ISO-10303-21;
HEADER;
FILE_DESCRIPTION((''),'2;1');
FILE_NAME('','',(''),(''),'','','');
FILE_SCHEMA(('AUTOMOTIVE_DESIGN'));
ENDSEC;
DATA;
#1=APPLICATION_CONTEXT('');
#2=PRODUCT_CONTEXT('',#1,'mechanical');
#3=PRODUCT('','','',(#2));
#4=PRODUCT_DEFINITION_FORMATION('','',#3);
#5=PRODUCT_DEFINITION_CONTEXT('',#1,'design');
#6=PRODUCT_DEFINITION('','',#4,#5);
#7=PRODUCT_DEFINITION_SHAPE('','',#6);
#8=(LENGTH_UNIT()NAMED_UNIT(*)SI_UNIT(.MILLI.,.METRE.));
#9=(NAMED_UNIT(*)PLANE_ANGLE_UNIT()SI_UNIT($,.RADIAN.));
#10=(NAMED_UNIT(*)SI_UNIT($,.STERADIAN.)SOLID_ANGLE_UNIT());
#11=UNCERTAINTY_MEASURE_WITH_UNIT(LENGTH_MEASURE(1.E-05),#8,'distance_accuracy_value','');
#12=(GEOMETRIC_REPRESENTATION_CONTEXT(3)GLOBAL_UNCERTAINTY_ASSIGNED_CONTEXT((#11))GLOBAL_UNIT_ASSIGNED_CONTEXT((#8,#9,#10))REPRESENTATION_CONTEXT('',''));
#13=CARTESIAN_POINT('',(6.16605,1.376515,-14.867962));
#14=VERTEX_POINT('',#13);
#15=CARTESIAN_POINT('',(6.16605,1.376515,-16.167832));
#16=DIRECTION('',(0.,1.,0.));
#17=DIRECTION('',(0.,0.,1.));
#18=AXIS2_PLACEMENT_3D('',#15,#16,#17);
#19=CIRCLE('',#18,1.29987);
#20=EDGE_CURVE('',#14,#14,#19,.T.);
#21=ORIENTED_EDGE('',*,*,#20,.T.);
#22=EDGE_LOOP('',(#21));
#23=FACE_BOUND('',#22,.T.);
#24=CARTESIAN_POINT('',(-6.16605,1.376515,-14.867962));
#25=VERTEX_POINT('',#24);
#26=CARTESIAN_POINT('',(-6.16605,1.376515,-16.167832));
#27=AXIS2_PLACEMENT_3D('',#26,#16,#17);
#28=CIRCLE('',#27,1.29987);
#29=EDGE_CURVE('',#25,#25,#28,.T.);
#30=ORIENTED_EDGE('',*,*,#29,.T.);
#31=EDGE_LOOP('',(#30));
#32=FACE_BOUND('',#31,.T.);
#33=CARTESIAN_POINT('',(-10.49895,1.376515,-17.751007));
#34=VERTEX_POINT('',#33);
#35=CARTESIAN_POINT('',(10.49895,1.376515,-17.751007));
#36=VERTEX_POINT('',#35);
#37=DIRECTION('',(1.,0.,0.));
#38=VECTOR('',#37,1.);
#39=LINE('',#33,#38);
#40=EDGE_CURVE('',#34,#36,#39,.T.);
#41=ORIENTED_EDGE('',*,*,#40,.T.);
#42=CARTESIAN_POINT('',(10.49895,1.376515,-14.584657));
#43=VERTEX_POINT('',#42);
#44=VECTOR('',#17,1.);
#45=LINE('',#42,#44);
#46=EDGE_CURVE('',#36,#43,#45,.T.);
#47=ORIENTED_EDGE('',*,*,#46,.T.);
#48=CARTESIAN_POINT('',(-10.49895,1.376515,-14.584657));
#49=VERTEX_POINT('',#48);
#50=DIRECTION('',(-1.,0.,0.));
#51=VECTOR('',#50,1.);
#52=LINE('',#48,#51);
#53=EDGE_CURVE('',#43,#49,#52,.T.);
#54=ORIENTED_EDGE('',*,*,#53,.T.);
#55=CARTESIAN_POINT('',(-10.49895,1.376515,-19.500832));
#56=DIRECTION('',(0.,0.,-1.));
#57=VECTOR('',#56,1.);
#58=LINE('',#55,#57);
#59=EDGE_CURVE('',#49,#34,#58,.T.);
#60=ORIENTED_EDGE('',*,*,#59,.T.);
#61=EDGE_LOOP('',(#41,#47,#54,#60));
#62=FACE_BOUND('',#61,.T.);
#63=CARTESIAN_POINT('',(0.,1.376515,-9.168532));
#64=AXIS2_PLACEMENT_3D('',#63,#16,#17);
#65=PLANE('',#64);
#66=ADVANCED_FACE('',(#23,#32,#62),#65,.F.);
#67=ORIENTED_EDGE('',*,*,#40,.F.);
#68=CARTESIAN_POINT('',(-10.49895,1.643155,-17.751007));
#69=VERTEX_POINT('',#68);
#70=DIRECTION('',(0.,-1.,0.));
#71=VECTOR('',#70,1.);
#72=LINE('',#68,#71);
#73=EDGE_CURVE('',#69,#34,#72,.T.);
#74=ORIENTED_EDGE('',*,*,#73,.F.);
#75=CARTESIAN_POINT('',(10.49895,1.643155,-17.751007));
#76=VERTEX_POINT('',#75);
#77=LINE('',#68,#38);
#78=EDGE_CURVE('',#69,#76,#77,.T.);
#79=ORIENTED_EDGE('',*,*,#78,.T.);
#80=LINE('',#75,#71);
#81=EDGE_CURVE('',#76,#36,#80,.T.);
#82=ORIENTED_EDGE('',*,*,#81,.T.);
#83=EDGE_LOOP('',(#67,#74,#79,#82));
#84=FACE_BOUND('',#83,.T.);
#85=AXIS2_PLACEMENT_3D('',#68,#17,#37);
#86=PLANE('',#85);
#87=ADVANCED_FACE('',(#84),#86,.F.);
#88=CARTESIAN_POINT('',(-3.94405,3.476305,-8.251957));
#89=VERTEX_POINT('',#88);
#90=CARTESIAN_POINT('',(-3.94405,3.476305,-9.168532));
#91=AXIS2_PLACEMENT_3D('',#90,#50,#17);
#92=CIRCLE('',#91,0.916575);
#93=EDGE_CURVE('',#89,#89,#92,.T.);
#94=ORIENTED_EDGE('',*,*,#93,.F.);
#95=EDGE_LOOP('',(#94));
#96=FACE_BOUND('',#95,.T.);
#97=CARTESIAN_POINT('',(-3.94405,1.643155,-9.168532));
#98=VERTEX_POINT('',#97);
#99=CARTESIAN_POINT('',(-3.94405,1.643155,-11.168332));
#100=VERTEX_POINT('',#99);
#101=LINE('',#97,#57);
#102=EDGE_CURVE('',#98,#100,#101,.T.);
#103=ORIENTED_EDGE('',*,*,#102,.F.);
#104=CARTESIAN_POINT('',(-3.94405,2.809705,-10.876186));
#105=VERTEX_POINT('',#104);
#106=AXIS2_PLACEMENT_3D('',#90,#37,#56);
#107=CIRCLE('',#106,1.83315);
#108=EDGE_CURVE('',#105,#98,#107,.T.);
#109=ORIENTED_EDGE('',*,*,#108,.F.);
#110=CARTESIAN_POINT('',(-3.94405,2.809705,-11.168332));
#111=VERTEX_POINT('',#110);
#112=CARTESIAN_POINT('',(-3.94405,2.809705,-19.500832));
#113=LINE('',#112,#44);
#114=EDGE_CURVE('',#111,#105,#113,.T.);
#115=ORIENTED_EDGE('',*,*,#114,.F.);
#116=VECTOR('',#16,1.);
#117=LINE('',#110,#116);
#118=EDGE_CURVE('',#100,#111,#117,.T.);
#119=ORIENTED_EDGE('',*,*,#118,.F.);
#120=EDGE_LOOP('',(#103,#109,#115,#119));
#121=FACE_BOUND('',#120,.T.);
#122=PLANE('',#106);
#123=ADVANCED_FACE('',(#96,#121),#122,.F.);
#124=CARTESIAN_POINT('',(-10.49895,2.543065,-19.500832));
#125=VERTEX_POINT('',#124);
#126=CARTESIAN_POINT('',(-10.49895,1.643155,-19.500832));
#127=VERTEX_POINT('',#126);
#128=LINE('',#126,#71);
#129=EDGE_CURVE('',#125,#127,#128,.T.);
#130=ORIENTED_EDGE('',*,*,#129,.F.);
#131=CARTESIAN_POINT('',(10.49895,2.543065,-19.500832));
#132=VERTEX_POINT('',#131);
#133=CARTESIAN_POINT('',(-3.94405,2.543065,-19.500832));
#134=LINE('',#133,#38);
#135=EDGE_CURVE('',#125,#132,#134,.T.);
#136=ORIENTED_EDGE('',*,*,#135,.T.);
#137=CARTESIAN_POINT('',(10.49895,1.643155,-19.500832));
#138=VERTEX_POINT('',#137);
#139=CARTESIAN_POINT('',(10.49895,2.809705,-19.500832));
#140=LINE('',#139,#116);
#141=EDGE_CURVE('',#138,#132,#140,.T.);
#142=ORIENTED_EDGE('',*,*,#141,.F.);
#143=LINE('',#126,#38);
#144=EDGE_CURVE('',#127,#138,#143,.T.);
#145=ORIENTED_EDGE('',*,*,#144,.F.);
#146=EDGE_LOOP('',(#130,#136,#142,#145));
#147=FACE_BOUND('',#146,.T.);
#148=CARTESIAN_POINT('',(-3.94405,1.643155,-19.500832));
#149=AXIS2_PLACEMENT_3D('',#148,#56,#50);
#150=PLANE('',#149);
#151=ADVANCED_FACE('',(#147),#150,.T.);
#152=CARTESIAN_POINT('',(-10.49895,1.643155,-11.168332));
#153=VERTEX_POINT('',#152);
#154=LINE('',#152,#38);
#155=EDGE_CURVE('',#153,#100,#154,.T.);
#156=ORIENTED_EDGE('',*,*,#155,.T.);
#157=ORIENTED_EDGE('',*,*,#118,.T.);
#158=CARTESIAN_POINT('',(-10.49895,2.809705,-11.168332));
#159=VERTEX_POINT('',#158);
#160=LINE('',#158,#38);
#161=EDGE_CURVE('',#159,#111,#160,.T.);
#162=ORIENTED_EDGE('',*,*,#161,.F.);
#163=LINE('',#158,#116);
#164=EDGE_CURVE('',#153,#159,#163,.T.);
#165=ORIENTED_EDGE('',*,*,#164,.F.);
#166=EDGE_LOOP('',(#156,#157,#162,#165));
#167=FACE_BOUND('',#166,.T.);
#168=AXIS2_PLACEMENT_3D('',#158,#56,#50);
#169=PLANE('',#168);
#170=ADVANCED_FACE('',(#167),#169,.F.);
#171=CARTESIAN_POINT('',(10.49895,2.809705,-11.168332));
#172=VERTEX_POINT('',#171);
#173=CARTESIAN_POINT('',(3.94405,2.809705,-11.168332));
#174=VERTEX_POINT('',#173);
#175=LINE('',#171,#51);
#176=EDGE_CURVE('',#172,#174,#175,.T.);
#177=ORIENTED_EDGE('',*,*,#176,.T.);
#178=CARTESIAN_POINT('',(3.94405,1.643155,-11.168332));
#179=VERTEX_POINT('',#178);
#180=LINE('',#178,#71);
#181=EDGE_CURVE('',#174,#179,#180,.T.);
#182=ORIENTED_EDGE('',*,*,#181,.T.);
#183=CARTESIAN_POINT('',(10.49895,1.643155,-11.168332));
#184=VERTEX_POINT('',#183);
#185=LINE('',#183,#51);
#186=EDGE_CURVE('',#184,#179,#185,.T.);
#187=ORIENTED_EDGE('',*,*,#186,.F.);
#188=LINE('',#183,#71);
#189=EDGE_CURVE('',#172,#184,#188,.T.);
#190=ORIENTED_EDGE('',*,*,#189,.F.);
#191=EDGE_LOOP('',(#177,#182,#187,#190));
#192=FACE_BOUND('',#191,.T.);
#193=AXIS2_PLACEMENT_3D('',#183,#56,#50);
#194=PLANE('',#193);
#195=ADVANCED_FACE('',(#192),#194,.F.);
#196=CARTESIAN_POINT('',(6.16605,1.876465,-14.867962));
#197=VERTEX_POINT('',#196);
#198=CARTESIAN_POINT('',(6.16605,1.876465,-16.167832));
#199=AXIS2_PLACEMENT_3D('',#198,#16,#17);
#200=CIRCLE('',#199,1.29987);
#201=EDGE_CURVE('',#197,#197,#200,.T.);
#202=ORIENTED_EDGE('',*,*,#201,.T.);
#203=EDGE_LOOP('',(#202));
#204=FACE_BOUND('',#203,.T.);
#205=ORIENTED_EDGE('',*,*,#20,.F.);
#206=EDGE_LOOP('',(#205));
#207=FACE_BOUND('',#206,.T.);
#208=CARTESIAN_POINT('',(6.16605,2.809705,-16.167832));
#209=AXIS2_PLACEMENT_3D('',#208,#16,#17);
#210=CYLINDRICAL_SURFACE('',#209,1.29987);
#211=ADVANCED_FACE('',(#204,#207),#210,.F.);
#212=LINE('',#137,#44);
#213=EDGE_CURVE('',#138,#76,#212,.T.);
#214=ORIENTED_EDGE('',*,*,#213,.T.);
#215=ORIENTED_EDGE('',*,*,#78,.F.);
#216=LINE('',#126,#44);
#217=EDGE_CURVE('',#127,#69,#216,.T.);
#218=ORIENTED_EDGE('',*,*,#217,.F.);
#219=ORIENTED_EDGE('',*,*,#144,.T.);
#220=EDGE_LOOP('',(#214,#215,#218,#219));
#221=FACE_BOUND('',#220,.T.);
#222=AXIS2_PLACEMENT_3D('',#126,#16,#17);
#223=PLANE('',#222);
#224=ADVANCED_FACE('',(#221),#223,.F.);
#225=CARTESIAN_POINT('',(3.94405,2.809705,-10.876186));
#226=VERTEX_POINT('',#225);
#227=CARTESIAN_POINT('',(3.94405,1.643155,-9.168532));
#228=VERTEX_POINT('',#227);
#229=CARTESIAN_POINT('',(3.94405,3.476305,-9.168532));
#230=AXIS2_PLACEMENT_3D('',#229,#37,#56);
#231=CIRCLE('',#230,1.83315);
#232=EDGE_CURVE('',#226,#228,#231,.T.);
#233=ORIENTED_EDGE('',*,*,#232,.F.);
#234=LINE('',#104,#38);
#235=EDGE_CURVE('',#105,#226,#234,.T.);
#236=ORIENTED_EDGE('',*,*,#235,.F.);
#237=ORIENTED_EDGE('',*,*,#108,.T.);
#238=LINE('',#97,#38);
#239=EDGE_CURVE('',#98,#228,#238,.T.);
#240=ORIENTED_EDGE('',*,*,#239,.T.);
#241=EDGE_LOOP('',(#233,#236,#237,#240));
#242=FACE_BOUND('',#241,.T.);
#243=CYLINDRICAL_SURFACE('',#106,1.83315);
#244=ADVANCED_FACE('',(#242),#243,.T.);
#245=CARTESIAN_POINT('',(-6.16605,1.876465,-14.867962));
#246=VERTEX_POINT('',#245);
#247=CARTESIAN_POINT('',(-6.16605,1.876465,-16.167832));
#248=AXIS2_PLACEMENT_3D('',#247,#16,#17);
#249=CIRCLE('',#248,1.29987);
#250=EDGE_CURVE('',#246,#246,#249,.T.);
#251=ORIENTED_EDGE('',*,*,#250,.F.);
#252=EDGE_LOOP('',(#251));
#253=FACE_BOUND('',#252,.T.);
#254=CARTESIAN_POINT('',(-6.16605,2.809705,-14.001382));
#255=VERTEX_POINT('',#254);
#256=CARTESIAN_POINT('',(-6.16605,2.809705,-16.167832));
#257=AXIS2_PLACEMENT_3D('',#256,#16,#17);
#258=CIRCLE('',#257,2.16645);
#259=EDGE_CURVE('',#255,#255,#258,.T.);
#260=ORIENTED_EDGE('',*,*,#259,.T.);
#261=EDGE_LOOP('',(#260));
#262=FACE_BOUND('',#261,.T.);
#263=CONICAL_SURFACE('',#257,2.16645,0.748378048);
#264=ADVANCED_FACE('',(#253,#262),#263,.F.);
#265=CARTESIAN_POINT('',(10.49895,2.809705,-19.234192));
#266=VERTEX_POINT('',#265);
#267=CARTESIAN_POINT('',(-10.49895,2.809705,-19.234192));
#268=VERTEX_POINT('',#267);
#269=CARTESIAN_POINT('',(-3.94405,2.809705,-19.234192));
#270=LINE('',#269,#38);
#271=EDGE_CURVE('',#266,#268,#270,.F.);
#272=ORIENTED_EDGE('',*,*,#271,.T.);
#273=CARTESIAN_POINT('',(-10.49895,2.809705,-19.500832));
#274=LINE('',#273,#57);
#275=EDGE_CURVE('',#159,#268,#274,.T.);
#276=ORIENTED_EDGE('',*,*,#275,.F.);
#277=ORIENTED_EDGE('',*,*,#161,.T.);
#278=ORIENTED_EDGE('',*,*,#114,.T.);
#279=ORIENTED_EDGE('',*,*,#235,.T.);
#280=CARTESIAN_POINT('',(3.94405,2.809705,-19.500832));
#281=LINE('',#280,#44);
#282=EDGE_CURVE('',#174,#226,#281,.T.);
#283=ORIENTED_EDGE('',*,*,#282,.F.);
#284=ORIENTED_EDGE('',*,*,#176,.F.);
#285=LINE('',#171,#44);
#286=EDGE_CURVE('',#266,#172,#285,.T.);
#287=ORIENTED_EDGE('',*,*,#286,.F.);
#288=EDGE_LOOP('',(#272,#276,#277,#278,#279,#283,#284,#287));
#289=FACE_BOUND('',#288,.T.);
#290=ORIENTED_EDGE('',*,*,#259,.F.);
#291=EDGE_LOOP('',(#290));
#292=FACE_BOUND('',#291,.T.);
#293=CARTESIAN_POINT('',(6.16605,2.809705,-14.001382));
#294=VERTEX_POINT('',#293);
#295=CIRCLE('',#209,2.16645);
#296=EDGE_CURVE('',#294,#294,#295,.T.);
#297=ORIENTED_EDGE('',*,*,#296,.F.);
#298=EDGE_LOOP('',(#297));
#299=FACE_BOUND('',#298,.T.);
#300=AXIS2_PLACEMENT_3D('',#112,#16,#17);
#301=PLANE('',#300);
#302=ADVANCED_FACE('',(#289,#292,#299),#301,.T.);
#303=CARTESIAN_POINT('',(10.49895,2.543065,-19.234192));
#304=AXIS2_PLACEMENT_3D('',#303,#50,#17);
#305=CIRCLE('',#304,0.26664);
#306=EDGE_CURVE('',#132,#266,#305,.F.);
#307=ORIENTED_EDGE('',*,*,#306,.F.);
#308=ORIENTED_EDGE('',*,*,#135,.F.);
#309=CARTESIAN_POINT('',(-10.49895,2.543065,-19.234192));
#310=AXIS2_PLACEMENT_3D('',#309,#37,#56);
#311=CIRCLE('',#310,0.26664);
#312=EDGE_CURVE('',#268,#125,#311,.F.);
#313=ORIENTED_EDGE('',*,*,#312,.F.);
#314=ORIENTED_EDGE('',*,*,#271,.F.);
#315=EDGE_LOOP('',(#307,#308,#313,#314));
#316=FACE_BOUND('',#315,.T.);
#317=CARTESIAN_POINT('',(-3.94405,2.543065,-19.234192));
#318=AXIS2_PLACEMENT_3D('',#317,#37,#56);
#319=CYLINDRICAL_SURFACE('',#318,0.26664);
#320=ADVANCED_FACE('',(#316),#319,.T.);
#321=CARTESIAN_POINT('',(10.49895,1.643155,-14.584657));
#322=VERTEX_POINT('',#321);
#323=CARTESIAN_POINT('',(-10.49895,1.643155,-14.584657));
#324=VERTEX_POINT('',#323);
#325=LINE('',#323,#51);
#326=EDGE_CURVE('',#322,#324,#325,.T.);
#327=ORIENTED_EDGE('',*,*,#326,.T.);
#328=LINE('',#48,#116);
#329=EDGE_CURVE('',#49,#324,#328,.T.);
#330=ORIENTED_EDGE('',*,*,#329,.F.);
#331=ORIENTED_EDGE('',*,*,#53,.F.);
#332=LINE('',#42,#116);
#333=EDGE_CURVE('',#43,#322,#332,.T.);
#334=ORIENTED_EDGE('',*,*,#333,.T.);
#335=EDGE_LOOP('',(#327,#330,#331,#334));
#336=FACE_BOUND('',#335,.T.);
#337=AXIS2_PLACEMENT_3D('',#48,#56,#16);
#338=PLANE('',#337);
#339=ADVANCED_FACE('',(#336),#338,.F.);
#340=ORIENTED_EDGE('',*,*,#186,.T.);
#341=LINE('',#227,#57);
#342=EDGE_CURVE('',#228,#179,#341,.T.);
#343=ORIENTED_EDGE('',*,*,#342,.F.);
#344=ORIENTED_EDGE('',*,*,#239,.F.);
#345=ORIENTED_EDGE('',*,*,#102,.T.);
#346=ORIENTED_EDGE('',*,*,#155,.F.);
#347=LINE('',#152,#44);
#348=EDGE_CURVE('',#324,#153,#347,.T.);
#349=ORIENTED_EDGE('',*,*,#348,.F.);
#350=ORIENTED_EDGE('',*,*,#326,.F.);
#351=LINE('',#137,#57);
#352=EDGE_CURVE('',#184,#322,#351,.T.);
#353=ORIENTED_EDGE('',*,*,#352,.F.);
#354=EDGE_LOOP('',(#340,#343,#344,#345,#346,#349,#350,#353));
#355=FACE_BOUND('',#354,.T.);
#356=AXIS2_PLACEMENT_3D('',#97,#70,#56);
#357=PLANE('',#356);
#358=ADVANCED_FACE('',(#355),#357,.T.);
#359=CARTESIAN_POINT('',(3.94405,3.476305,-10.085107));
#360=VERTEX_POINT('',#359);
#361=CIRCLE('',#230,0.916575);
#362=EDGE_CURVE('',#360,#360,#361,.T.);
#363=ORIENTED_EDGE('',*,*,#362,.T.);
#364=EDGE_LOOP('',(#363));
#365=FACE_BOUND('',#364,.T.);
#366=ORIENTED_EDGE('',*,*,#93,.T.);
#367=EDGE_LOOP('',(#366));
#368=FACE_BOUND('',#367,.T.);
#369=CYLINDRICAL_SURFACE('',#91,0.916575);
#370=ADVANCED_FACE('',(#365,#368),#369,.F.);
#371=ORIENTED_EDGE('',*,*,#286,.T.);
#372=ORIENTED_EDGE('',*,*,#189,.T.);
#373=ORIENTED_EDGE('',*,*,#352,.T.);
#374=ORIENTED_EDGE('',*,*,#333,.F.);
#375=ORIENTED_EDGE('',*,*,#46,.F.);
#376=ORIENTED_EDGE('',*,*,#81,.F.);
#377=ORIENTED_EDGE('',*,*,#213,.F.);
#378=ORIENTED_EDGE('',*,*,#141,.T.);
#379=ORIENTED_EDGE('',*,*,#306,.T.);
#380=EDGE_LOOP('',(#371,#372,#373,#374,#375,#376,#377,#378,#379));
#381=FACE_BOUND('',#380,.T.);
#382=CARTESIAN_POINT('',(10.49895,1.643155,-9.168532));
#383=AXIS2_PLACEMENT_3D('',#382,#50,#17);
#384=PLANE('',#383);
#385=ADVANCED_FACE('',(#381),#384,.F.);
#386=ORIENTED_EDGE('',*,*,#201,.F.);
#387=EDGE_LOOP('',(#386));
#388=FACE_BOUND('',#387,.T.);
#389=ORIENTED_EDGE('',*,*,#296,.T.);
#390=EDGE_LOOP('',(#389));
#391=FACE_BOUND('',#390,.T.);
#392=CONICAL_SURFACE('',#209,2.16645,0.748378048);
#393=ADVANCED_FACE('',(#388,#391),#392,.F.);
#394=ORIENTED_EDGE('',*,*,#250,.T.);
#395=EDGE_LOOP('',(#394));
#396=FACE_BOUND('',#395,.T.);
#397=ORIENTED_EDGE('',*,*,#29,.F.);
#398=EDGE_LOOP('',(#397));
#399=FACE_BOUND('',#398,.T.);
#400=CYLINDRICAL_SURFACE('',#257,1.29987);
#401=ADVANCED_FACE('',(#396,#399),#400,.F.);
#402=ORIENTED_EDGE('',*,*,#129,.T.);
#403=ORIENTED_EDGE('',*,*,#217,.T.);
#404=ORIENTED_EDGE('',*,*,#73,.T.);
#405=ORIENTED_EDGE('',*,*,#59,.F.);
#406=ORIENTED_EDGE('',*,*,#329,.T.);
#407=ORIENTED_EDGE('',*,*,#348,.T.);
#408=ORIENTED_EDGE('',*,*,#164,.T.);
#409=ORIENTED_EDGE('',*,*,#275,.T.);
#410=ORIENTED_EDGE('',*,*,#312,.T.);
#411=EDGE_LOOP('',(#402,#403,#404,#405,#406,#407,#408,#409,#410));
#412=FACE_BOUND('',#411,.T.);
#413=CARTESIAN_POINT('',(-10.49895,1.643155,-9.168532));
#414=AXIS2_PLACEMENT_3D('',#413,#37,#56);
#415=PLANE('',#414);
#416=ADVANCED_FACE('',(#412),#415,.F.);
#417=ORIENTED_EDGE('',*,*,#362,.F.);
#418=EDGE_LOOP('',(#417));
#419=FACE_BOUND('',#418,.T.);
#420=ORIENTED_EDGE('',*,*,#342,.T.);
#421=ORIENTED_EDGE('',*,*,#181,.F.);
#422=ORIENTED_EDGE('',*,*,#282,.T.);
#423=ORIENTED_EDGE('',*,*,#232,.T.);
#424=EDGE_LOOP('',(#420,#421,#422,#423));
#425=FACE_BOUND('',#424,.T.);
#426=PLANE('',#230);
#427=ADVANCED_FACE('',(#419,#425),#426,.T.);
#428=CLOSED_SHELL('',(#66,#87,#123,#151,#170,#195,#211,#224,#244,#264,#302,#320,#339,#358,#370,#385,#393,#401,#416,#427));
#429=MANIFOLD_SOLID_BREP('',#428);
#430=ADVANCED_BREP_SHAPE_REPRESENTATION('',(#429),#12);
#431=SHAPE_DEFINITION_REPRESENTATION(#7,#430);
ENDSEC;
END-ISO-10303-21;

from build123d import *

# Parameters (mm, degrees)
BOSS_EXTRUDE1_DEPTH        = 23.666666667
SKETCH2_W                  = 25
SKETCH2_H                  = 3.5
BOSS_EXTRUDE2_DEPTH        = 19.666666667
SKETCH3_W                  = 25
SKETCH3_H                  = 3.5
BOSS_EXTRUDE3_DEPTH        = 19.666666667
SKETCH4_W                  = 63
SKETCH4_H                  = 14.75
BOSS_EXTRUDE4_DEPTH        = 0.8
SKETCH5_W                  = 5.25
SKETCH5_H                  = 0.8
CUT_EXTRUDE1_DEPTH         = 72.070387645
F_10_CLEARANCE_HOLE1_D     = 5.5
F_10_CLEARANCE_HOLE1_DEPTH = 43.333333333
HOLE1_AT_2_COUNT           = 2
HOLE1_AT_2_PITCH           = 37
FILLET1_R                  = 0.8
SCALE1_SCALE               = 0.3333


with BuildPart() as part:
    # Sketch1 → Boss-Extrude1 (new body)
    with BuildSketch(Plane(origin=(11.833333333, 0, 0), x_dir=(0, 0, -1), z_dir=(1, 0, 0))):
        with BuildLine():
            Line((31, 3.5), (5.123475383, 3.5))
            ThreePointArc((5.123475383, 3.5), (-3.102418411, 10.041475531), (0, 0))
            Line((0, 0), (31, 0))
            Line((31, 0), (31, 3.5))
        make_face()
    extrude(amount=-BOSS_EXTRUDE1_DEPTH)

    # Sketch2 → Boss-Extrude2 (add)
    with BuildSketch(Plane.ZY.offset(11.833333333)):
        with Locations((-18.5, 1.75)):
            Rectangle(SKETCH2_W, SKETCH2_H)
    extrude(amount=BOSS_EXTRUDE2_DEPTH)

    # Sketch3 → Boss-Extrude3 (add)
    with BuildSketch(Plane(origin=(11.833333333, 0, 0), x_dir=(0, 0, -1), z_dir=(1, 0, 0))):
        with Locations((18.5, 1.75)):
            Rectangle(SKETCH3_W, SKETCH3_H)
    extrude(amount=BOSS_EXTRUDE3_DEPTH)

    # Sketch4 → Boss-Extrude4 (add)
    with BuildSketch(Plane.XZ):
        with Locations((0, -23.625)):
            Rectangle(SKETCH4_W, SKETCH4_H)
    extrude(amount=BOSS_EXTRUDE4_DEPTH)

    # Sketch5 → Cut-Extrude1 (cut, through all)
    with BuildSketch(Plane(origin=(31.5, 0, 0), x_dir=(0, 0, -1), z_dir=(1, 0, 0))):
        with Locations((28.375, -0.4)):
            Rectangle(SKETCH5_W, SKETCH5_H)
    extrude(amount=-CUT_EXTRUDE1_DEPTH, mode=Mode.SUBTRACT)

    # #10 Clearance Hole1
    with Locations(Plane.ZY.offset(11.833333333)):
        with Locations((0, 5.5)):
            Hole(F_10_CLEARANCE_HOLE1_D / 2, depth=F_10_CLEARANCE_HOLE1_DEPTH)

    # Sketch8 → Hole1 (revolve, cut)
    with BuildSketch(Plane(origin=(-18.5, 3.5, -21), x_dir=(0, 0, 1), z_dir=(1, 0, 0))):
        Polygon((0, 0), (0, 4.3), (3.9, 4.3), (3.9, 2.8), (6.5, 0), align=None)
    hole1 = revolve(axis=Axis((-18.5, 9.945314094, -21), (0, -1, 0)), mode=Mode.SUBTRACT)

    # Hole1 at 2: Hole1 ×2
    with Locations(*[(i * HOLE1_AT_2_PITCH, 0, 0) for i in range(1, HOLE1_AT_2_COUNT)]):
        add(hole1, mode=Mode.SUBTRACT)

    # Fillet1
    fillet1_edges = [part.edges().sort_by_distance(p)[0] for p in [
        (0, 3.5, -31),
    ]]
    fillet(fillet1_edges, radius=FILLET1_R)


with BuildPart() as part_1:
    # Scale1: scaled about (0, 2.464609402, -13.752110163)
    add(part.part.scale(SCALE1_SCALE).moved(Location((0, 1.643155088, -9.168531846))))


solid = part_1.part
